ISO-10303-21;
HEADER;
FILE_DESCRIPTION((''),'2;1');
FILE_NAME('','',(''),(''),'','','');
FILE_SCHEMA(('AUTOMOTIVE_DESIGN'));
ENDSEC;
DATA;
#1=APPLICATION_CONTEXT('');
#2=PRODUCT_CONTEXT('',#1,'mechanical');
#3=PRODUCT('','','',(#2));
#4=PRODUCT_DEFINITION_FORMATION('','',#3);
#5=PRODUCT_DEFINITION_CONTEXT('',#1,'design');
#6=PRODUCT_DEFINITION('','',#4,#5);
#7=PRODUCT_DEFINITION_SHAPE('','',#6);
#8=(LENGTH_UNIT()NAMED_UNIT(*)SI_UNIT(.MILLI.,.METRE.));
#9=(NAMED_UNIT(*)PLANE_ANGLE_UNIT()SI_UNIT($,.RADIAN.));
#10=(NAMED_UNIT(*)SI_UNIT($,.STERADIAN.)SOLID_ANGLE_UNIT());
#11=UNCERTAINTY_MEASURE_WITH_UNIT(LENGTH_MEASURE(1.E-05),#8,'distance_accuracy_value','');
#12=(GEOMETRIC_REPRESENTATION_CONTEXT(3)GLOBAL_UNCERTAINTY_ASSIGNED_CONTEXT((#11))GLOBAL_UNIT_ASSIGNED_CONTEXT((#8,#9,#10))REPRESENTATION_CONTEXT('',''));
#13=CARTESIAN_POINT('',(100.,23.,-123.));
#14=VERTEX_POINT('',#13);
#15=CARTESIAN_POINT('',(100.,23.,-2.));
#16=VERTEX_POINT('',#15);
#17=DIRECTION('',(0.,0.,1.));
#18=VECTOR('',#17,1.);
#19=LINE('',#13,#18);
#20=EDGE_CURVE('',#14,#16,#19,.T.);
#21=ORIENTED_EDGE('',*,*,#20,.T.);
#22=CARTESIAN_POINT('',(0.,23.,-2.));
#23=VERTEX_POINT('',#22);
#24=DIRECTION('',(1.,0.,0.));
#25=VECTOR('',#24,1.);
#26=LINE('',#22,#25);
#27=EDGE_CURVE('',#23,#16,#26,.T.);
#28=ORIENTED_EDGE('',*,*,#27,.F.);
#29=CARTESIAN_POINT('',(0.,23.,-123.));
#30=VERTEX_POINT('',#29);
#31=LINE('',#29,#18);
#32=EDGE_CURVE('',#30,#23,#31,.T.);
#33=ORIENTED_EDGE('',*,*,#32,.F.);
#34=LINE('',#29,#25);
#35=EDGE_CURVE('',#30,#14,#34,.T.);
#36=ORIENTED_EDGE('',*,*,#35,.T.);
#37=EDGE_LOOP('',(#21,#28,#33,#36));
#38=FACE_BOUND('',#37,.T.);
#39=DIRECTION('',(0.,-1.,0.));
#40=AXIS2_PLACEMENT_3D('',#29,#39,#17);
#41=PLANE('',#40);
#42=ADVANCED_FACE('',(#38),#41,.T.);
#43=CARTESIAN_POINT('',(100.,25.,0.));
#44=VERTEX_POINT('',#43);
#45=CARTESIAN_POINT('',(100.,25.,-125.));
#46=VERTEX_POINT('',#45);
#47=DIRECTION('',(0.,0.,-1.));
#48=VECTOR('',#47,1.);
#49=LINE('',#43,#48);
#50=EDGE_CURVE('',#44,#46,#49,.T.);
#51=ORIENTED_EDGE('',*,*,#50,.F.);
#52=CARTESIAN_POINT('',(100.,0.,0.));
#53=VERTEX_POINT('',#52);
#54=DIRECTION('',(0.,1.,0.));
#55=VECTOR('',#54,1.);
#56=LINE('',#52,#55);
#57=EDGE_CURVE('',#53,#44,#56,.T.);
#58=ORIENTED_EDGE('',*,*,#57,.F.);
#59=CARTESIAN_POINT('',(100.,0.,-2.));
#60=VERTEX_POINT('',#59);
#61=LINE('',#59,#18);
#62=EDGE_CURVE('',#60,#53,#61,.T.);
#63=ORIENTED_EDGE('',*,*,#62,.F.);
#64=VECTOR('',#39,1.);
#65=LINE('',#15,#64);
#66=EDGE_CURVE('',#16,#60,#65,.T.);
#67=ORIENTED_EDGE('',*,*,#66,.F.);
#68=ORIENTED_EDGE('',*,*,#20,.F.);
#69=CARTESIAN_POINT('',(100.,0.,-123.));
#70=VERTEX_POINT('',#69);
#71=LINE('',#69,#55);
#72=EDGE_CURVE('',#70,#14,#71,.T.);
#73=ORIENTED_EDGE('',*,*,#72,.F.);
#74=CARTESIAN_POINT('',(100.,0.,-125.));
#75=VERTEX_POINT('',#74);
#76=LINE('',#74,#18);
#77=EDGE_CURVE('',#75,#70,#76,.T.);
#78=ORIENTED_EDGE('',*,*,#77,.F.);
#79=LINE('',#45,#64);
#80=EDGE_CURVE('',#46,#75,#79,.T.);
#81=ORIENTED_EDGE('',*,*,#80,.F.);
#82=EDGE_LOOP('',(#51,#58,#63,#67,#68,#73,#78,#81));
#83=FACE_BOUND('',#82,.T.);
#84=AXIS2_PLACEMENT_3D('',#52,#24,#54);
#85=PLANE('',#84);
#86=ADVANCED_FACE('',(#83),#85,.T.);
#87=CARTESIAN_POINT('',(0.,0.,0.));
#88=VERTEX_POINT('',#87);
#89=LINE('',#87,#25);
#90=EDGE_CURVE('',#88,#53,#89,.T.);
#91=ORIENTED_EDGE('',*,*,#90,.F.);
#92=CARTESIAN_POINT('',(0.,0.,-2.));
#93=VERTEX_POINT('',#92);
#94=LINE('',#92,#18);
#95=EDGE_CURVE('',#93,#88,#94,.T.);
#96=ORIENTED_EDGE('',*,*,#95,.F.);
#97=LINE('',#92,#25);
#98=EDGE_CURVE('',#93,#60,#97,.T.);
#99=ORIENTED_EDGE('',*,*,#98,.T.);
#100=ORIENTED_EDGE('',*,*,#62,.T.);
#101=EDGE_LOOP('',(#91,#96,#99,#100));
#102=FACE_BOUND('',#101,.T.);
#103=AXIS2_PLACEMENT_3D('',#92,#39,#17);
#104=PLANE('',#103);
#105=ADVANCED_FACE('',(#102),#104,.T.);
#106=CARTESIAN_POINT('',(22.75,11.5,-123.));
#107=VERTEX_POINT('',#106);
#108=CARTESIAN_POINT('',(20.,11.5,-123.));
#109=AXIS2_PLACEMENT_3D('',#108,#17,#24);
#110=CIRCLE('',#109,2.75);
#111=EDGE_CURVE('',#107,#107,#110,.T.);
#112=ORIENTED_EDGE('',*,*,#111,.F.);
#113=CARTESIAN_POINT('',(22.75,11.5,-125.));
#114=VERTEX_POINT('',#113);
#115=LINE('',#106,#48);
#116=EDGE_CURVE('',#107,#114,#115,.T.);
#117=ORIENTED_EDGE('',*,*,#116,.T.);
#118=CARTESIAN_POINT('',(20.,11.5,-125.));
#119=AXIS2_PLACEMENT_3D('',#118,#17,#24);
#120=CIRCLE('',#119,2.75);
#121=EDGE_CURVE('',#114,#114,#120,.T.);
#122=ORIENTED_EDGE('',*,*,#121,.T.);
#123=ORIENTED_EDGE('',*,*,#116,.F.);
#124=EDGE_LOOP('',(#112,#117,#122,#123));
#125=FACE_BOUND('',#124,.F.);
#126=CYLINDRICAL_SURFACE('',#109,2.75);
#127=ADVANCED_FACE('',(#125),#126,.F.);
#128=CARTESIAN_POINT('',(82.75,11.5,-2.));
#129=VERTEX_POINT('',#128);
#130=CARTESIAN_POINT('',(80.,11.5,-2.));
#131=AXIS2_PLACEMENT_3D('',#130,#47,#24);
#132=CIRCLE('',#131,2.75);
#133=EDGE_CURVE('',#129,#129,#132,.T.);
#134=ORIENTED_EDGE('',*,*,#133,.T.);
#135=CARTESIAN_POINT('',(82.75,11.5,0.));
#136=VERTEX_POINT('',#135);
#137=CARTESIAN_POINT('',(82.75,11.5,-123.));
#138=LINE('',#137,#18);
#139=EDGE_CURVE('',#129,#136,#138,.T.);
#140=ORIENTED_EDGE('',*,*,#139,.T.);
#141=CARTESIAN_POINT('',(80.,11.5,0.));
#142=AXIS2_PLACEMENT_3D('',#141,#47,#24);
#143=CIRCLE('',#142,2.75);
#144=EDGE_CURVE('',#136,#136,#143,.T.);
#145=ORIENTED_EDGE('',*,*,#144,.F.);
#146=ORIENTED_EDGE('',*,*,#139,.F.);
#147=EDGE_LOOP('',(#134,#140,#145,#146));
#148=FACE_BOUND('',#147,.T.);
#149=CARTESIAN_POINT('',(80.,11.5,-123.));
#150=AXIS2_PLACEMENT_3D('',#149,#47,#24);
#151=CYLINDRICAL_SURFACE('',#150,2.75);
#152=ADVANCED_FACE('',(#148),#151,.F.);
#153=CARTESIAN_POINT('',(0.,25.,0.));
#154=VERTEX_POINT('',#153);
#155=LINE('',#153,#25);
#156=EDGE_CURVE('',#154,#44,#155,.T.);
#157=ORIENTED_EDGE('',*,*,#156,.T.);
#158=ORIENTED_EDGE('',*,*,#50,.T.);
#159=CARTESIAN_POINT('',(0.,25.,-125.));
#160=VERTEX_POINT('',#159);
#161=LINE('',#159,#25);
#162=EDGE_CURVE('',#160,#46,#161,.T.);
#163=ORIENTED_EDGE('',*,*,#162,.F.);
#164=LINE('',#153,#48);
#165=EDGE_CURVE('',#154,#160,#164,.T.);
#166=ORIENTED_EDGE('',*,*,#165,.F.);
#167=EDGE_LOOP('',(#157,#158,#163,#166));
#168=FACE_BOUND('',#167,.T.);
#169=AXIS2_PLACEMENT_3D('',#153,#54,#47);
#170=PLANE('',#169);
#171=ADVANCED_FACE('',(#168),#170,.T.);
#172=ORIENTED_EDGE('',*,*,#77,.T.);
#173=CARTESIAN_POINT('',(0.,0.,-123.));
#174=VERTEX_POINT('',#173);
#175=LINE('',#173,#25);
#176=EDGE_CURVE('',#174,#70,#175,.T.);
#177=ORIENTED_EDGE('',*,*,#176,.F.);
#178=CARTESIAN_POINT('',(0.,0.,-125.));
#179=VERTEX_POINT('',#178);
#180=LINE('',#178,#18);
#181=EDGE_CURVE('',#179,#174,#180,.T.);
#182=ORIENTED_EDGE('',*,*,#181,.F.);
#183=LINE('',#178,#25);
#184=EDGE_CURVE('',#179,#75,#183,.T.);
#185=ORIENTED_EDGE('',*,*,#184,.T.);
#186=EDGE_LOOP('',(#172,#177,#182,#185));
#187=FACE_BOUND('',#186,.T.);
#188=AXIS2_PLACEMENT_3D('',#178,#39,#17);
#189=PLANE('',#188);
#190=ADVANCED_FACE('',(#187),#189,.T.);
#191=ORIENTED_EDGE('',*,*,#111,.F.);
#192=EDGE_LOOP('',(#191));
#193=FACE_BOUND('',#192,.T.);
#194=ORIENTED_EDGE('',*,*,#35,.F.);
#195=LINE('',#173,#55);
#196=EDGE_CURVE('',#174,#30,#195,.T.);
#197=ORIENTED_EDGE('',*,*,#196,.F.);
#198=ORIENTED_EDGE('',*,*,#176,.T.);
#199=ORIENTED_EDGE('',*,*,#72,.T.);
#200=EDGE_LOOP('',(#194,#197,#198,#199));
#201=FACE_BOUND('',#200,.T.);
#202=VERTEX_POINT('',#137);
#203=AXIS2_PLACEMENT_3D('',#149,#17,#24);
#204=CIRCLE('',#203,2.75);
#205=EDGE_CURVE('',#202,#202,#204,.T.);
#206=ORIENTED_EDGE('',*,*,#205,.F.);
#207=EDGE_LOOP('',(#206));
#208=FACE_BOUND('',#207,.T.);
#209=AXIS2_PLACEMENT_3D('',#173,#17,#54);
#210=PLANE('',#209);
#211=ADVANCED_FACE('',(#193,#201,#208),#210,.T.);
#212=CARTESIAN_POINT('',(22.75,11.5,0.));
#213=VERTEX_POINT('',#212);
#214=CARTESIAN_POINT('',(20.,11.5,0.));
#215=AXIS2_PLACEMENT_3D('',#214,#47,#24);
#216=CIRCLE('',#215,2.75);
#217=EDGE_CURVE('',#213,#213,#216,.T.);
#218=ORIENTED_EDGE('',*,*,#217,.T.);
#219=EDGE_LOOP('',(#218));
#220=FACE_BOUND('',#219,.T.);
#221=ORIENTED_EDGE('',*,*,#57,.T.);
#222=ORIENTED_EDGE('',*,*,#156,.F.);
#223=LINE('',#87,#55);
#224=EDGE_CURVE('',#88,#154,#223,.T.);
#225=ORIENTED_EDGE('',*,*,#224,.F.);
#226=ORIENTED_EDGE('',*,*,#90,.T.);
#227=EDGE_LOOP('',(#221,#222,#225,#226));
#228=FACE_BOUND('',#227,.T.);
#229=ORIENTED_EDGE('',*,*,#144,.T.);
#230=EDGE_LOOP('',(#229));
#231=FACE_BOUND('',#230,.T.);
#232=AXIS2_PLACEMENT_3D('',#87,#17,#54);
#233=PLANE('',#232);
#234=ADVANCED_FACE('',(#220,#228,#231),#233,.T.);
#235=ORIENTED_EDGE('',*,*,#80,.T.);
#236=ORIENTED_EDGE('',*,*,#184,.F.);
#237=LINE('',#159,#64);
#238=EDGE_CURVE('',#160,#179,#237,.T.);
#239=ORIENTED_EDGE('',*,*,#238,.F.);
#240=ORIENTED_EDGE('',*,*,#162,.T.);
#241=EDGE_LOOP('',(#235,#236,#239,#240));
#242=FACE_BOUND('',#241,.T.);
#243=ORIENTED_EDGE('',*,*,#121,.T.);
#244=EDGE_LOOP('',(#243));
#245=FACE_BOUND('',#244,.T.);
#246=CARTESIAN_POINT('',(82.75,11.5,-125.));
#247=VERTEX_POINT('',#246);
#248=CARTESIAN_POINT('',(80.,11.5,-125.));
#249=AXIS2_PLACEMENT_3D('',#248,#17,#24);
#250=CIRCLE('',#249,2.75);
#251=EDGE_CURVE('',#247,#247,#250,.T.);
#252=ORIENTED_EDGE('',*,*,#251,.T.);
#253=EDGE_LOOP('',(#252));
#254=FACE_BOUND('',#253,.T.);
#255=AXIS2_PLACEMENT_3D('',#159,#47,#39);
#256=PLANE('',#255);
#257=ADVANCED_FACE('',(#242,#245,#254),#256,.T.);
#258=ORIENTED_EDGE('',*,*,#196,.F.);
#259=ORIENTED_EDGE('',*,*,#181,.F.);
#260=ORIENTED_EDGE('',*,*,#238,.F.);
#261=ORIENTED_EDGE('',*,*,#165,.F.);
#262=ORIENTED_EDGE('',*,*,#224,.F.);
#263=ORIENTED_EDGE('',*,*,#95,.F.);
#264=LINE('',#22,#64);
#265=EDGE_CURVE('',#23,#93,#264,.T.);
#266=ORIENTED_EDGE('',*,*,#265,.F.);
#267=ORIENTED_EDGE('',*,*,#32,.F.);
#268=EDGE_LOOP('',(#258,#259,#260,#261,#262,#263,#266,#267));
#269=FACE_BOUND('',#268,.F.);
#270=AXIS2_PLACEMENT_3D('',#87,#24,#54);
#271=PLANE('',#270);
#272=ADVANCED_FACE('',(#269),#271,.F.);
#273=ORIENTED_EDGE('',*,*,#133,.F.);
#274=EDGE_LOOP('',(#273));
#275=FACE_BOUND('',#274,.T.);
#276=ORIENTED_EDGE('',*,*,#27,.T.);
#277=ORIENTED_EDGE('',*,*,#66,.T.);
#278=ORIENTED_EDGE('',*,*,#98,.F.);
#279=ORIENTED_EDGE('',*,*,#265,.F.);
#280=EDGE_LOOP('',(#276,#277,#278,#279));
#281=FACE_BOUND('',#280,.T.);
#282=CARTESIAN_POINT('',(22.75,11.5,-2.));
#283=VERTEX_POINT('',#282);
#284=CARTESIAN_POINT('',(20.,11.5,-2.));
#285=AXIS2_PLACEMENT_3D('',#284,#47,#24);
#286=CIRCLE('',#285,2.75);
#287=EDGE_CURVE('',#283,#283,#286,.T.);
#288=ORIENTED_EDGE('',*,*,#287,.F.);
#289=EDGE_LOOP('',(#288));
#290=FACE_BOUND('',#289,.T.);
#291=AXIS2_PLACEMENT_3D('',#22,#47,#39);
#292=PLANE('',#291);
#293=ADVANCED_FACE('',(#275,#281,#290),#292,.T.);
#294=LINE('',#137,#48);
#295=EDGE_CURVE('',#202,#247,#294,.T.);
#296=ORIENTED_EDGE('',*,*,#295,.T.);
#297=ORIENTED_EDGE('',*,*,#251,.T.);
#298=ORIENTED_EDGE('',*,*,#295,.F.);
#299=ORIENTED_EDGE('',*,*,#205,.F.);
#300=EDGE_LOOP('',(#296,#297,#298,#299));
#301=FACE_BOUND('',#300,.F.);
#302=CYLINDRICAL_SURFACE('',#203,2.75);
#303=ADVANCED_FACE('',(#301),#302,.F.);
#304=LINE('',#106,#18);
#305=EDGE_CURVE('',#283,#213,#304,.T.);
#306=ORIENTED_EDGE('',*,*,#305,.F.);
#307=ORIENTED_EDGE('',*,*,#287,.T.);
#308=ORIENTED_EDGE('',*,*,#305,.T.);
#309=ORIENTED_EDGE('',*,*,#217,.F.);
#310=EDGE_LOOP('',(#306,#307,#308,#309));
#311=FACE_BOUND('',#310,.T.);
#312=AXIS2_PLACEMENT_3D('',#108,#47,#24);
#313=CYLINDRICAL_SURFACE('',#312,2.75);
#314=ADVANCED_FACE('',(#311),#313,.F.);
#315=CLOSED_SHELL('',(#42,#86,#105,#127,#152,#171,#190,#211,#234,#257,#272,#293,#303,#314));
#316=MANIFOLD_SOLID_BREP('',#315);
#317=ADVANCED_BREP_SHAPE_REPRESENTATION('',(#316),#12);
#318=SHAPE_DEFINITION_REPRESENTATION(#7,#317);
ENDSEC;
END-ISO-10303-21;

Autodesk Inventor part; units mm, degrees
ref_plane "YZ Plane" through (0, 0, 0) normal (1, 0, 0) x (0, 1, 0)
ref_plane "XZ Plane" through (0, 0, 0) normal (0, 1, 0) x (-1, 0, 0)
ref_plane "XY Plane" through (0, 0, 0) normal (0, 0, 1) x (1, 0, 0)
sketch "Sketch1" plane through (0, 0, 0) normal (1, 0, 0) x (0, 1, 0)
  line L0 (0, 0) -> (25, 0)
  line L1 (25, 0) -> (25, -125)
  line L2 (25, -125) -> (0, -125)
  line L3 (0, -125) -> (0, -123)
  line L4 (0, -123) -> (23, -123)
  line L5 (23, -123) -> (23, -2)
  line L6 (23, -2) -> (0, -2)
  line L7 (0, -2) -> (0, 0)
  dimension "d0" = 2
  dimension "d1" = 2
  dimension "d2" = 125
  dimension "d3" = 25
  dimension "d4" = 2
extrude "Extrusion1" add sketch "Sketch1" along normal blind 100
sketch "Sketch2" plane through (0, 0, -123) normal (0, 0, 1) x (1, 0, 0)
  circle A0 centre (80, 11.5) radius 2.75
  line L0 (0, 23) -> (100, 23) projected
  line L1 (100, 23) -> (100, 0) projected
  circle A1 centre (20, 11.5) radius 2.75
  line L2 (0, 0) -> (100, 0) projected
  line L3 (0, 0) -> (0, 23) projected
  dimension "d7" = 5.5
  dimension "d8" = 11.5
  dimension "d9" = 20
  dimension "d10" = 5.5
  dimension "d11" = 11.5
  dimension "d12" = 20
extrude "Extrusion2" cut sketch "Sketch2" along normal blind 139.25 and the other way blind 73.375 contours A0 | A1
properties part number "Spacer Extrusion" material "Aluminum 6061"
